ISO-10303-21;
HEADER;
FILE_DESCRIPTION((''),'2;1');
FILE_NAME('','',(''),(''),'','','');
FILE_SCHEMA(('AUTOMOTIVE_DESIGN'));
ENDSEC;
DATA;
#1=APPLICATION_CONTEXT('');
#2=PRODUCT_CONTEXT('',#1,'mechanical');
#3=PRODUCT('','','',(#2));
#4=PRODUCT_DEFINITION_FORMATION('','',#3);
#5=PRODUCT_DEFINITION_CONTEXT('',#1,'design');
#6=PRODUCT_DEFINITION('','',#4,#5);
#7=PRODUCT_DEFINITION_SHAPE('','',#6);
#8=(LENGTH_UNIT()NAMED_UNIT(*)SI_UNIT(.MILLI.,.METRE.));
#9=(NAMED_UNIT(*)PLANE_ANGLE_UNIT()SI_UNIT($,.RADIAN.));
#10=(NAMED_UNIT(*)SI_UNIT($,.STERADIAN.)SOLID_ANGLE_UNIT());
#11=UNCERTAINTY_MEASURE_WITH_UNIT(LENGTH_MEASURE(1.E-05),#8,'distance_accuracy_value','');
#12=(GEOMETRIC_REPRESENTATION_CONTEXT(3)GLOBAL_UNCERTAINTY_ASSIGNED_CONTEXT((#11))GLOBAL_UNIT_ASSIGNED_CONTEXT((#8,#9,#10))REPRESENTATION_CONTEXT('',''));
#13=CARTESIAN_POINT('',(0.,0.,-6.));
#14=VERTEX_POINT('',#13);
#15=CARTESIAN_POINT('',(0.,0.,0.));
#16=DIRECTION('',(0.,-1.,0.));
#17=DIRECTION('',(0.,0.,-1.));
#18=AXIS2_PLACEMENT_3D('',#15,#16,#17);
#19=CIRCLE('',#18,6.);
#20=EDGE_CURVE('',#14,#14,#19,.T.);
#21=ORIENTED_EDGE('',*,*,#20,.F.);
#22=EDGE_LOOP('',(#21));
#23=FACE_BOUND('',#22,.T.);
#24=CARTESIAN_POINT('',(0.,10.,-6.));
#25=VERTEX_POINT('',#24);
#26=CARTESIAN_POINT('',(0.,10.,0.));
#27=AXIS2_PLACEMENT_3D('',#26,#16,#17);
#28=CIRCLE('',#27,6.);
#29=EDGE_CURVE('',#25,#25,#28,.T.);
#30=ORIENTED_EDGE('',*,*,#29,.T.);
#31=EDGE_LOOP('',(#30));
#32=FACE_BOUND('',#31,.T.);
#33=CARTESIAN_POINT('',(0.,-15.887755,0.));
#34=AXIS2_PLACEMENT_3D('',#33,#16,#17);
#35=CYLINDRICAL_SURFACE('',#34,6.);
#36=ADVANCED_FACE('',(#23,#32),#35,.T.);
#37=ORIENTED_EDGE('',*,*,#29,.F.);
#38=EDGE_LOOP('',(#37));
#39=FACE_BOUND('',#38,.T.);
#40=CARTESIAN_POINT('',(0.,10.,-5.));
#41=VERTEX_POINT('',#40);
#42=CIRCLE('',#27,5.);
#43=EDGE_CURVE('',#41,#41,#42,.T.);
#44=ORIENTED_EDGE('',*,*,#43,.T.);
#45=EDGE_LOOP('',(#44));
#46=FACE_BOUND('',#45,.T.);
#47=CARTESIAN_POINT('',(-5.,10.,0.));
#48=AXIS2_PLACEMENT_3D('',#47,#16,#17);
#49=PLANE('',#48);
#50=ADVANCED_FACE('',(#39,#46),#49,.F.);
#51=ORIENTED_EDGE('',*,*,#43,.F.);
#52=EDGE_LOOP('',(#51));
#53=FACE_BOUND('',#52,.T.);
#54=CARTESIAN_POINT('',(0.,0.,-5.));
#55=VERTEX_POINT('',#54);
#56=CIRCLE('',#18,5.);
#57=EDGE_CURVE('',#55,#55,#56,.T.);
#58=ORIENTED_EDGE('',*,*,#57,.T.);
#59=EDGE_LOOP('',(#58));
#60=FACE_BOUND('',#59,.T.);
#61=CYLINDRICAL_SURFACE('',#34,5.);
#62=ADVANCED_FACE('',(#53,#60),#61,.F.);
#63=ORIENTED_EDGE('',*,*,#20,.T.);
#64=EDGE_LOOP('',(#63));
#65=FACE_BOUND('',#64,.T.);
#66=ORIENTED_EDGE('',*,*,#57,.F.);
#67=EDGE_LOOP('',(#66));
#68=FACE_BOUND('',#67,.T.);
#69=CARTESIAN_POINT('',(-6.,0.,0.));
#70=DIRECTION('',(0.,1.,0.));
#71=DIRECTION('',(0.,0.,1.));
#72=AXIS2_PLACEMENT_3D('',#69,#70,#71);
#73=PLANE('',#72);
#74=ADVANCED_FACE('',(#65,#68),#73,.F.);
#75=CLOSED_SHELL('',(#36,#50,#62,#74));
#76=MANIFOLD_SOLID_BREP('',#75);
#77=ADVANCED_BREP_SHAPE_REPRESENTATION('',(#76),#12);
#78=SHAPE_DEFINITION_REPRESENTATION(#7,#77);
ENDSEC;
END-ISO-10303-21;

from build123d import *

# Parameters (mm, degrees)
ESQUISSE1_W = 1
ESQUISSE1_H = 10


with BuildPart() as part:
    # Esquisse1 → Révolution1 (revolve)
    with BuildSketch(Plane.XY):
        with Locations((-5.5, 5)):
            Rectangle(ESQUISSE1_W, ESQUISSE1_H)
    revolve(axis=Axis((0, -15.887755102, 0), (0, 1, 0)))


solid = part.part
